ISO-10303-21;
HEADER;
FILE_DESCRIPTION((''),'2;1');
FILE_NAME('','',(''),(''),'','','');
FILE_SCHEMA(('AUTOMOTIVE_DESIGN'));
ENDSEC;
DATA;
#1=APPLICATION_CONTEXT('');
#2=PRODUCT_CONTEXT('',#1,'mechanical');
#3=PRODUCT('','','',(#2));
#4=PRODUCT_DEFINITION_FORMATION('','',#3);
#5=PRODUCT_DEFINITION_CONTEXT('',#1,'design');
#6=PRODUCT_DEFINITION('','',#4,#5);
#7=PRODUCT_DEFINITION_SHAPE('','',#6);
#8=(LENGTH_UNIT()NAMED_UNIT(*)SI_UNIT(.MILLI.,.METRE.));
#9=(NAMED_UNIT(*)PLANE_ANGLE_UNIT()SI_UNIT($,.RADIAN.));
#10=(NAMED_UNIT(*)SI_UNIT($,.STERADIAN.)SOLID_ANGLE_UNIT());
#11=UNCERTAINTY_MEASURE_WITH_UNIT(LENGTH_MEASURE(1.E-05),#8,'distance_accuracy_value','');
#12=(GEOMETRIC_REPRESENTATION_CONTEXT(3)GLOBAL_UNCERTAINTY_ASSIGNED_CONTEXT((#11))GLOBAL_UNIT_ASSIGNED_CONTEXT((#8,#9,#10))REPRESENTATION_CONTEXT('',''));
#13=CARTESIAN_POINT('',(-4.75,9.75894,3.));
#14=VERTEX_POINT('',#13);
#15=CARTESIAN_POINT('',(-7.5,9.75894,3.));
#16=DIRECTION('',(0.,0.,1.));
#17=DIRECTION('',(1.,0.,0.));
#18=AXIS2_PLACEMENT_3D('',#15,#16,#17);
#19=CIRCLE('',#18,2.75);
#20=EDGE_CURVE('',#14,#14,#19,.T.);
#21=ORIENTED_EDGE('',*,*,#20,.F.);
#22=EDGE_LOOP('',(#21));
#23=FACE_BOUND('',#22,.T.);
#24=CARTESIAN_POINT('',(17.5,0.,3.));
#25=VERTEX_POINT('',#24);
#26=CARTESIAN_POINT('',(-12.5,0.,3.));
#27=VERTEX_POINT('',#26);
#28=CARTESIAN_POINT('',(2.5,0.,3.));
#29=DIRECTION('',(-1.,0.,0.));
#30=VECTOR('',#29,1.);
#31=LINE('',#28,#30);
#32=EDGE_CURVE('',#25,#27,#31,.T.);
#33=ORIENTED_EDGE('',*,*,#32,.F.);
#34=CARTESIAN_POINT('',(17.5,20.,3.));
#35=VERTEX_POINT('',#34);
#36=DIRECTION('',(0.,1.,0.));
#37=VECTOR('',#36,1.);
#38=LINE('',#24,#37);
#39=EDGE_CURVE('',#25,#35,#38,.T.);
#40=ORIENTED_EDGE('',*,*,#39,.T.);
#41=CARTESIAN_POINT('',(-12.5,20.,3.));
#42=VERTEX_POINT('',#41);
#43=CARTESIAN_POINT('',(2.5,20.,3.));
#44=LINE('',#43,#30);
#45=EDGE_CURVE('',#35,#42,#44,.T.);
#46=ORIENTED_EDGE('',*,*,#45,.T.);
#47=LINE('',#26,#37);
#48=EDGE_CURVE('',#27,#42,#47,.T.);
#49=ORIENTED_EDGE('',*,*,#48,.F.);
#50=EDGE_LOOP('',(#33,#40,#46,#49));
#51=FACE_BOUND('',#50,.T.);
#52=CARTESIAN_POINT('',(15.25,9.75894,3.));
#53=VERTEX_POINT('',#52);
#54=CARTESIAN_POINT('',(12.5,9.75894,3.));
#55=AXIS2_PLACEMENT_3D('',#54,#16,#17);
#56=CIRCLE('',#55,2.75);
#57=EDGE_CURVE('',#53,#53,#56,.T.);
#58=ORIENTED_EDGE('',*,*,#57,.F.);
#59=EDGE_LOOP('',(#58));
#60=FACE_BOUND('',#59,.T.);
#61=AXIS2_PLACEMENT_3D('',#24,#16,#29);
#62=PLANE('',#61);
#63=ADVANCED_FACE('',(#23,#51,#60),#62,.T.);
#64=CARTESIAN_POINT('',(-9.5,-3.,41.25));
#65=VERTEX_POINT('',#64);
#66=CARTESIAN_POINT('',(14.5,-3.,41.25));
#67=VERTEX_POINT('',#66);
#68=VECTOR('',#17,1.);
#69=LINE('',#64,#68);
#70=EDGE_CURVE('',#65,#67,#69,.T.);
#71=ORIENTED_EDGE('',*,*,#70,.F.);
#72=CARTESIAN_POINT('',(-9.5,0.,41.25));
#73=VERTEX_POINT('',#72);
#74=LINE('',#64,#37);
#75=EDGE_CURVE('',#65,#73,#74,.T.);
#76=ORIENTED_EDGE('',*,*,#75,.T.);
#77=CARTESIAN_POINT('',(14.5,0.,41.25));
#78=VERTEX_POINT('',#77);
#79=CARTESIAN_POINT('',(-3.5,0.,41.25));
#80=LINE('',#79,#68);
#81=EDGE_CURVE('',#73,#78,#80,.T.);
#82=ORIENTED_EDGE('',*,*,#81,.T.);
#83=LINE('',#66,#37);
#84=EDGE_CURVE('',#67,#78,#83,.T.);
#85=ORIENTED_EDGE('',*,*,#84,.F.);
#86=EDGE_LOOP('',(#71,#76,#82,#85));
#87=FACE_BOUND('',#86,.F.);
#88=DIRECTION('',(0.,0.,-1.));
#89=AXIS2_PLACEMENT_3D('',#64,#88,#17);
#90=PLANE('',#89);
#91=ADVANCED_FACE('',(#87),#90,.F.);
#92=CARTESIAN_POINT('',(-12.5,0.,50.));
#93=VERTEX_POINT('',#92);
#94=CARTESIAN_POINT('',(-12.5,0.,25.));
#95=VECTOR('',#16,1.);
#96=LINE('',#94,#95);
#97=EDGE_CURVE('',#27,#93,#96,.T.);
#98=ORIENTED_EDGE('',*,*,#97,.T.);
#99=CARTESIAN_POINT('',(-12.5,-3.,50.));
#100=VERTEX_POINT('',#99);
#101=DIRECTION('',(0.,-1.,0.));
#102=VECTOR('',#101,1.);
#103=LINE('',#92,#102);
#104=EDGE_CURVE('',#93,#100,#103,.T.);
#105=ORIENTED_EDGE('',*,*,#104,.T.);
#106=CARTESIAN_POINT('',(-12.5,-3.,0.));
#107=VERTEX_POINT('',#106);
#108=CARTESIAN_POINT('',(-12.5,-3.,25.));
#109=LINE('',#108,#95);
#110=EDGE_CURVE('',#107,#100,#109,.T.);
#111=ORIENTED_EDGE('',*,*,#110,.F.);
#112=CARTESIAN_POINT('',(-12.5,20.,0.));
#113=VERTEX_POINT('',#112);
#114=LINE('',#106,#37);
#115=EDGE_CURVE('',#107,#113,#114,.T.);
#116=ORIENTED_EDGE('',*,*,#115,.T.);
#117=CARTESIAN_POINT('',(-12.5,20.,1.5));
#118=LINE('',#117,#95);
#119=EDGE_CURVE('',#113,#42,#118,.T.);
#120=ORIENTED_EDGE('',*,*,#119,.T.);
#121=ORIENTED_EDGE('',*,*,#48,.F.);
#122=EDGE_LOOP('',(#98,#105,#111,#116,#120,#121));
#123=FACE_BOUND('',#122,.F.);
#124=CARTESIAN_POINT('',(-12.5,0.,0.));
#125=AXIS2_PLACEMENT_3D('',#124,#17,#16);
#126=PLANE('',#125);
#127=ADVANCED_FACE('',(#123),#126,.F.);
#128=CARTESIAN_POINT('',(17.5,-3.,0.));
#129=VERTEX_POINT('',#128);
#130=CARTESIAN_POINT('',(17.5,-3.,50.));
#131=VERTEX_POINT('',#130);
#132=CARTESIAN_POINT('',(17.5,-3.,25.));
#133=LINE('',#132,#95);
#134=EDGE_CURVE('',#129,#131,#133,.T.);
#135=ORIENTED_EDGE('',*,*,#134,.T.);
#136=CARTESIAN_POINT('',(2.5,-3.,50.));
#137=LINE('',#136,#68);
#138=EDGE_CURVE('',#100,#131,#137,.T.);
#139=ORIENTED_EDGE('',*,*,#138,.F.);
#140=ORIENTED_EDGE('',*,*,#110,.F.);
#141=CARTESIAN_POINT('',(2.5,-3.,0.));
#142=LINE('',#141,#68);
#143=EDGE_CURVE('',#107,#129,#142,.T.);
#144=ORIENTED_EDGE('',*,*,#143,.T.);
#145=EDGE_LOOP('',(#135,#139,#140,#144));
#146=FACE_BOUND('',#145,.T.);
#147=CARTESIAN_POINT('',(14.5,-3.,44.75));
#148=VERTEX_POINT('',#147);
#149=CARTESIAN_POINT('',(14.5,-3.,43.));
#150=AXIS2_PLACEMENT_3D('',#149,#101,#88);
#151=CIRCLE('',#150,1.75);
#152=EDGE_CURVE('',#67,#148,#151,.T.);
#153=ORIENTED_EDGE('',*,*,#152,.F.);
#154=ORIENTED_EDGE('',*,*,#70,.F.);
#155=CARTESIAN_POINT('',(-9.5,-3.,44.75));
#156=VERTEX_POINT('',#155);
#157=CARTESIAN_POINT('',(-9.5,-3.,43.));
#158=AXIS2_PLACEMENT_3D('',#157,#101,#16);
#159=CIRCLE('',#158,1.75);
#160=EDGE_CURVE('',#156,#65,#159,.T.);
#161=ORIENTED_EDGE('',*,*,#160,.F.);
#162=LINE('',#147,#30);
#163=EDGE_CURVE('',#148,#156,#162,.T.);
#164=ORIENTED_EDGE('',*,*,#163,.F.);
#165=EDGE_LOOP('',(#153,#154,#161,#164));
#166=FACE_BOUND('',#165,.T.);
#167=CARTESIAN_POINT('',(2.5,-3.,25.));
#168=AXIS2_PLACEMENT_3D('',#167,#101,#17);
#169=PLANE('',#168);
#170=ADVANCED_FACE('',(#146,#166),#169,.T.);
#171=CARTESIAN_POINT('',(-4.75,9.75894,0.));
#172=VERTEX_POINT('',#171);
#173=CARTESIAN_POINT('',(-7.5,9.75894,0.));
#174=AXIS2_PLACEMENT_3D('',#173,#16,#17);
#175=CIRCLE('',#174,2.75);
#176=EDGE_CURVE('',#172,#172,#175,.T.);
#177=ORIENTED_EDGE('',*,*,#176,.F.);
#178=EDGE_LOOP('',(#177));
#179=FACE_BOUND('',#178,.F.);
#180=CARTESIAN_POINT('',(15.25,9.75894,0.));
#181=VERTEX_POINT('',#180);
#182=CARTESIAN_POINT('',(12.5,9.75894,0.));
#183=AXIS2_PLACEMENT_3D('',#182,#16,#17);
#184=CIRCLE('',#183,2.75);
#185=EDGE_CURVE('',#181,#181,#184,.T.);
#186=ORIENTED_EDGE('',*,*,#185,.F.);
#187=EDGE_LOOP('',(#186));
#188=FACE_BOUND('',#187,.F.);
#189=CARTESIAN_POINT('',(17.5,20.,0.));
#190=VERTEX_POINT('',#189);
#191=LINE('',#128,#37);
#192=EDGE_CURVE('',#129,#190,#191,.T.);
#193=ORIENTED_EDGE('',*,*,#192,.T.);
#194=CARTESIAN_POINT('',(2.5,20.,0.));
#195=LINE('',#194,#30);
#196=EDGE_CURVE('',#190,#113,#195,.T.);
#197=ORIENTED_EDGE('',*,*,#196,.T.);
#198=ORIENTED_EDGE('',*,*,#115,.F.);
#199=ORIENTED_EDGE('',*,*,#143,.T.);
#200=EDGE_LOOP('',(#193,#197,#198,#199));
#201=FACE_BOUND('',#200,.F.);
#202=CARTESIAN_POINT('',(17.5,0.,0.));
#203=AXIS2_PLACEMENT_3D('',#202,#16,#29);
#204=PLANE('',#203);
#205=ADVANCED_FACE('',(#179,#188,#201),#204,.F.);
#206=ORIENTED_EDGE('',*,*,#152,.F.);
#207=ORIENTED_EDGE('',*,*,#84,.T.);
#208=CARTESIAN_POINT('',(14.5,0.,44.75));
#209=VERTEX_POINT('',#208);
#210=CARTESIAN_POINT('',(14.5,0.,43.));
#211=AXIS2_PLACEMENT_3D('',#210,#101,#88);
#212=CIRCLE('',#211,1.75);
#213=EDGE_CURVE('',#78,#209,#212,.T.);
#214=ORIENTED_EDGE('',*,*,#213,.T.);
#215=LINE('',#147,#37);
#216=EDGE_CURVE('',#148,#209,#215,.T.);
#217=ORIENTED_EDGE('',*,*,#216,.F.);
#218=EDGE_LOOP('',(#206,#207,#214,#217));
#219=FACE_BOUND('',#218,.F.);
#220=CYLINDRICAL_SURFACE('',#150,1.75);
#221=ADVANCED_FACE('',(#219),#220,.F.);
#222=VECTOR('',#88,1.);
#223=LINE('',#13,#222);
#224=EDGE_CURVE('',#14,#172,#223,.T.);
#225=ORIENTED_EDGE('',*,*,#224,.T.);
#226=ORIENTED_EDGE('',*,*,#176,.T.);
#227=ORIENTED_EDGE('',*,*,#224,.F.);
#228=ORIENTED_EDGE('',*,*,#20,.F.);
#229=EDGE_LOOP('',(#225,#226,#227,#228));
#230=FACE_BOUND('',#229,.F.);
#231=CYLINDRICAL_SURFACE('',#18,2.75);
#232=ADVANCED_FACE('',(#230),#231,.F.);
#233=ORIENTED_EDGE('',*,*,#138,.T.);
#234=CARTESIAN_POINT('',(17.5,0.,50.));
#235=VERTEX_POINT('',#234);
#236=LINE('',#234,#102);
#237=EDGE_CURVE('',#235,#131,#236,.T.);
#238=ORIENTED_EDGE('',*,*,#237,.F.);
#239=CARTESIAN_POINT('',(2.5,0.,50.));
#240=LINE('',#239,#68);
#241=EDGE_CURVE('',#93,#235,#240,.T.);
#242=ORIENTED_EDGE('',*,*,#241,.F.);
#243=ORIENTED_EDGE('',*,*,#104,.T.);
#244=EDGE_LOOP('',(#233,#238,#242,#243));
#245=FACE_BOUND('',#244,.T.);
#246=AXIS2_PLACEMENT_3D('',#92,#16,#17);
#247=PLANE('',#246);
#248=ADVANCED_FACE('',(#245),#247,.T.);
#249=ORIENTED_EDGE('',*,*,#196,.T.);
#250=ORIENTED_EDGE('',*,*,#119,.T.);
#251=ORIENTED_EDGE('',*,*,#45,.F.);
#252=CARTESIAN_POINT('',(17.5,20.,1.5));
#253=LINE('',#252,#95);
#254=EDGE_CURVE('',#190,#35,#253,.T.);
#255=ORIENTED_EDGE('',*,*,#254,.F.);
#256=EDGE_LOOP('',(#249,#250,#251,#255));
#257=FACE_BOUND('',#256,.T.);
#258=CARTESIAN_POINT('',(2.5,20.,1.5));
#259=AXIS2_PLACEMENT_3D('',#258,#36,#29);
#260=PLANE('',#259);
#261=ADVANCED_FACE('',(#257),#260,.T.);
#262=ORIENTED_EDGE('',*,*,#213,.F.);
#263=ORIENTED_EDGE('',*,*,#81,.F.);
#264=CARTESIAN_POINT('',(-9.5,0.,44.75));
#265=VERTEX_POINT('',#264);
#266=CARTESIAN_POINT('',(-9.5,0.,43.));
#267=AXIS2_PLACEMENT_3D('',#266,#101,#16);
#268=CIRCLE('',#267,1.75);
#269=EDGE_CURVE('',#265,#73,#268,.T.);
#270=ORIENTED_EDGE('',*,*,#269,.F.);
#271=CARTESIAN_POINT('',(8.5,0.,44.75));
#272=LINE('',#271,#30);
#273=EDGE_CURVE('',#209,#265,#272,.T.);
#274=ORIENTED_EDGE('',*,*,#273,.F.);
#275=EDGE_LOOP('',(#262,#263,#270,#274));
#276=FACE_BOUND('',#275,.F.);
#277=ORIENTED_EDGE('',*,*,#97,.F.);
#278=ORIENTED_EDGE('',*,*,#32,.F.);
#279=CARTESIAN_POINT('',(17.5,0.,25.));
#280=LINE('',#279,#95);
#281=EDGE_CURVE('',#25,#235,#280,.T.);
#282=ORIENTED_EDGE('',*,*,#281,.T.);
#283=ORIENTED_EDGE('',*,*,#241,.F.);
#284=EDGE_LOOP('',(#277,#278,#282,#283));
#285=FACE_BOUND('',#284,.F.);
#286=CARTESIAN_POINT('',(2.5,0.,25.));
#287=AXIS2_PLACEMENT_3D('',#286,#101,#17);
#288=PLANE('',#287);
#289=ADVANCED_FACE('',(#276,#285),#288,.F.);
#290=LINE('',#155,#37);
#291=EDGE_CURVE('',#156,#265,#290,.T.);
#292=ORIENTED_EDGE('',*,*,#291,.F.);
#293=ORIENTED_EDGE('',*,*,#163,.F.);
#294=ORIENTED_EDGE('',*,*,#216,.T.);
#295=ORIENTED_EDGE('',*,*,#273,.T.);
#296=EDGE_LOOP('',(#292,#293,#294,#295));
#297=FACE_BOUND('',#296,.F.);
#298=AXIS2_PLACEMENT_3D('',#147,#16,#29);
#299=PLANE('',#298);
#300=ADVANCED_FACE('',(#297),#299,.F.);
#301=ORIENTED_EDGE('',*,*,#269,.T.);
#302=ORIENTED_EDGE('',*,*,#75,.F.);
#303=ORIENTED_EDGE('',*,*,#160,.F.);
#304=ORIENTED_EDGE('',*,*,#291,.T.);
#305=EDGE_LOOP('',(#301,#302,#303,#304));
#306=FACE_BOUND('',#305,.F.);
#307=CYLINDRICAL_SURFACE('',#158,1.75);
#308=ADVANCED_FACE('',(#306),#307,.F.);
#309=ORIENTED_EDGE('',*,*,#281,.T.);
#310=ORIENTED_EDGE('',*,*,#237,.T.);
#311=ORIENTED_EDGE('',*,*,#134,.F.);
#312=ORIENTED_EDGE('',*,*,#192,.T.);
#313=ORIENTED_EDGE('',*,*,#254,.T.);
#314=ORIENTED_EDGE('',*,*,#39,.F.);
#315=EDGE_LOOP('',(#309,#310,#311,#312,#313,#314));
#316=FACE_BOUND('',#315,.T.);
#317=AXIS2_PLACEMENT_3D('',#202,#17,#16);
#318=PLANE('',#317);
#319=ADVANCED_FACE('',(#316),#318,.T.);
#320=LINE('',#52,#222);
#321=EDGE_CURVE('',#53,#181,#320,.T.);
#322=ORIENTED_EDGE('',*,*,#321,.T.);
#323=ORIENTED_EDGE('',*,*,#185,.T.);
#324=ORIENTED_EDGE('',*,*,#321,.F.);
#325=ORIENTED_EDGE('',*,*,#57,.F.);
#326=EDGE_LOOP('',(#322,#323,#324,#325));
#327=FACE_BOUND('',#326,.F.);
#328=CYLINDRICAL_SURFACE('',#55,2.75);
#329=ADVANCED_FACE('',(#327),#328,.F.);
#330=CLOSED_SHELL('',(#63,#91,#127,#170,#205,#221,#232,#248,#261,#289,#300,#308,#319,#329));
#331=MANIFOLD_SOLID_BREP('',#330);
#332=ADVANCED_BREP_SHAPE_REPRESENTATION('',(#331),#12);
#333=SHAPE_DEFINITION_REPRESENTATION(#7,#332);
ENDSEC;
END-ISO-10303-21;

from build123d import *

# Parameters (mm, degrees)
F0_W     = 30
F0_H     = 50
F1_DEPTH = 3
F2_W     = 30
F2_H     = 3
F3_DEPTH = 20
F4_R     = 2.75
F5_DEPTH = 3.001
F7_DEPTH = 23.001


with BuildPart() as f1:
    # F0 (on Front) → F1 (new body)
    with BuildSketch(Plane.XZ):
        with Locations((2.5, 25)):
            Rectangle(F0_W, F0_H)
    extrude(amount=F1_DEPTH)

    # F2 (on face) → F3 (join)
    with BuildSketch(Plane(origin=(0, 0, 0), x_dir=(-1, 0, 0), z_dir=(0, 1, 0))):
        with Locations((-2.5, 1.5)):
            Rectangle(F2_W, F2_H)
    extrude(amount=F3_DEPTH)

    # F4 (on face) → F5 (cut, through all)
    with BuildSketch(Plane.XY.offset(3)):
        with Locations((12.5, 9.75894)):
            Circle(F4_R)
        with Locations((-7.5, 9.75894)):
            Circle(F4_R)
    extrude(amount=-F5_DEPTH, mode=Mode.SUBTRACT)

    # F6 (on face) → F7 (cut, through all)
    with BuildSketch(Plane.XZ.offset(3)):
        with BuildLine():
            Line((14.5, 44.75), (-9.5, 44.75))
            ThreePointArc((-9.5, 44.75), (-11.25, 43), (-9.5, 41.25))
            Line((-9.5, 41.25), (14.5, 41.25))
            ThreePointArc((14.5, 41.25), (16.25, 43), (14.5, 44.75))
        make_face()
    extrude(amount=-F7_DEPTH, mode=Mode.SUBTRACT)


solid = f1.part
